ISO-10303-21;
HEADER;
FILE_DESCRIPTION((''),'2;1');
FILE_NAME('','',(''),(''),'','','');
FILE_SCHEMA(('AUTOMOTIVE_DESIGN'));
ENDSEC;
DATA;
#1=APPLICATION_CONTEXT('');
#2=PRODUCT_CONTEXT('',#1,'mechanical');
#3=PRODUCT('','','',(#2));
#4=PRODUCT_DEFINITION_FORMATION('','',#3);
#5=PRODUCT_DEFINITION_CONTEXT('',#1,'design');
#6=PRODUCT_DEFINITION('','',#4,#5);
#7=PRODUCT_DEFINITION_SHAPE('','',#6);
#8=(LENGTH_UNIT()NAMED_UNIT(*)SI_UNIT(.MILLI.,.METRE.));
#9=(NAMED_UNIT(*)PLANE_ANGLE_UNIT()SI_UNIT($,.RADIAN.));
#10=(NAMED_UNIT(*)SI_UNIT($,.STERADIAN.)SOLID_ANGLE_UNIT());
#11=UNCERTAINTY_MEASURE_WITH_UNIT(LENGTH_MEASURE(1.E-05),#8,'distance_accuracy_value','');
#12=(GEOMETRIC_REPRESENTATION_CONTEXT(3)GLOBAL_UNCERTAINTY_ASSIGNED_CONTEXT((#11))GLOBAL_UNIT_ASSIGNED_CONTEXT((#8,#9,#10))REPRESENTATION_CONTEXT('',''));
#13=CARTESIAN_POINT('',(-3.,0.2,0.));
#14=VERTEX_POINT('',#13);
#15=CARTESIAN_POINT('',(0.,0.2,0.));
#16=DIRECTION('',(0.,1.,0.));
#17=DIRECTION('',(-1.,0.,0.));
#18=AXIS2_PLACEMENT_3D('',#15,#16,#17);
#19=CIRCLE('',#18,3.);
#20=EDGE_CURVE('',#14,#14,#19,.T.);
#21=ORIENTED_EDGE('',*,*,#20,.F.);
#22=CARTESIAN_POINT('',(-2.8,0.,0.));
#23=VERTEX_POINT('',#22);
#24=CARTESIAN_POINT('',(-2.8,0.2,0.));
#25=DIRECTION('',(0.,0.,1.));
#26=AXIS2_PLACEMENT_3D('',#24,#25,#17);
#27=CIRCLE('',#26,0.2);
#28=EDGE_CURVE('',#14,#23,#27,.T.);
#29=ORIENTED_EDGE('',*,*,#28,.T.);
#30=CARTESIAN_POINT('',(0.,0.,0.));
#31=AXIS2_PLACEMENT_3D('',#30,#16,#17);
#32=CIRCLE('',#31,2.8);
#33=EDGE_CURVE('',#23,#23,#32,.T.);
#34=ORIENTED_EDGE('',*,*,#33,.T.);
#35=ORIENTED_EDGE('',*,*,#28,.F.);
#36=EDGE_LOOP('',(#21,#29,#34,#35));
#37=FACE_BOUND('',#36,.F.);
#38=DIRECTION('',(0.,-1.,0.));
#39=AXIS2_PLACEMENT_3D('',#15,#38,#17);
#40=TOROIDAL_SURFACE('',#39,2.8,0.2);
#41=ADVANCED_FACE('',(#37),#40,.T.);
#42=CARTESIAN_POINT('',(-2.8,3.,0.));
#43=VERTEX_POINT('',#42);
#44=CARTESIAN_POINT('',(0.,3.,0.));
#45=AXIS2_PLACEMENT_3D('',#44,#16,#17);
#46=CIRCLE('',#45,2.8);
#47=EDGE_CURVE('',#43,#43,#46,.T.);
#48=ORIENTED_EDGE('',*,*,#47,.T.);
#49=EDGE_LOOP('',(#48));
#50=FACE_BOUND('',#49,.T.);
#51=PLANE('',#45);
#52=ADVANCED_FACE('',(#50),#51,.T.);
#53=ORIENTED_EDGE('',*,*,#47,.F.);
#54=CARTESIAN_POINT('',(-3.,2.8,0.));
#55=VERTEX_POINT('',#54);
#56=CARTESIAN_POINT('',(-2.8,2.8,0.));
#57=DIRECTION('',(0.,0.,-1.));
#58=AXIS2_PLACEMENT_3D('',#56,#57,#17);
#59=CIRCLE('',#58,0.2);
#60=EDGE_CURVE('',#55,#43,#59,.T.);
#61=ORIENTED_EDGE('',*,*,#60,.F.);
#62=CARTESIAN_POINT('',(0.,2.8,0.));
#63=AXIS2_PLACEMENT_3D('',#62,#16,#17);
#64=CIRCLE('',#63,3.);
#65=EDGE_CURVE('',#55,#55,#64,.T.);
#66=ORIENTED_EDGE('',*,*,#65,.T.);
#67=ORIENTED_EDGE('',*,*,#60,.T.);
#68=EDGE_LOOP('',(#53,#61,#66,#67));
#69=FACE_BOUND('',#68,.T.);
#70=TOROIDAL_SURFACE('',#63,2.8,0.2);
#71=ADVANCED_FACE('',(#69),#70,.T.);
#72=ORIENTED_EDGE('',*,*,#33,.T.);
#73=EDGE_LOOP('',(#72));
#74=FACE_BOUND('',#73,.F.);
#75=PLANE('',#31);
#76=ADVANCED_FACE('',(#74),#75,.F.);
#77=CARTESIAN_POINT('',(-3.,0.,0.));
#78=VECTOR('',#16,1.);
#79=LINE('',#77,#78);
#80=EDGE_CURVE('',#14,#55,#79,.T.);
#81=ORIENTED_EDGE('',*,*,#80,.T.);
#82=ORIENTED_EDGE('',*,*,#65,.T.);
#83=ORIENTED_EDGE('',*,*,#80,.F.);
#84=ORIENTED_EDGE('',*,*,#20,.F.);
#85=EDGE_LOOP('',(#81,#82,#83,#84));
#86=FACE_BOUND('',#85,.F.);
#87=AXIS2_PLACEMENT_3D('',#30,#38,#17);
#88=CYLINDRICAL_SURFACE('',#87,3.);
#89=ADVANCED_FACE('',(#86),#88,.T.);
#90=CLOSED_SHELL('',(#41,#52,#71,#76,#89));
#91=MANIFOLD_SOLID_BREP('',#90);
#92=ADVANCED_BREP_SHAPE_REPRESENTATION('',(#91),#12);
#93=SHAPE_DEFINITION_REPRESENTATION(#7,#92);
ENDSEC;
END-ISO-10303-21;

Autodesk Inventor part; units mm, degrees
ref_plane "YZ Plane" through (0, 0, 0) normal (1, 0, 0) x (0, 1, 0)
ref_plane "XZ Plane" through (0, 0, 0) normal (0, 1, 0) x (-1, 0, 0)
ref_plane "XY Plane" through (0, 0, 0) normal (0, 0, 1) x (1, 0, 0)
sketch "スケッチ1" plane through (0, 0, 0) normal (0, 1, 0) x (-1, 0, 0)
  circle A0 centre (0, 0) radius 3
  dimension "d0" = 6
extrude "押し出し1" add sketch "スケッチ1" along normal blind 3
fillet "フィレット1" radius 0.2 2 edges at (3, 3, 0) (3, 0, 0)
properties part number "holder_magnet" material "鋼、炭素鋼"
